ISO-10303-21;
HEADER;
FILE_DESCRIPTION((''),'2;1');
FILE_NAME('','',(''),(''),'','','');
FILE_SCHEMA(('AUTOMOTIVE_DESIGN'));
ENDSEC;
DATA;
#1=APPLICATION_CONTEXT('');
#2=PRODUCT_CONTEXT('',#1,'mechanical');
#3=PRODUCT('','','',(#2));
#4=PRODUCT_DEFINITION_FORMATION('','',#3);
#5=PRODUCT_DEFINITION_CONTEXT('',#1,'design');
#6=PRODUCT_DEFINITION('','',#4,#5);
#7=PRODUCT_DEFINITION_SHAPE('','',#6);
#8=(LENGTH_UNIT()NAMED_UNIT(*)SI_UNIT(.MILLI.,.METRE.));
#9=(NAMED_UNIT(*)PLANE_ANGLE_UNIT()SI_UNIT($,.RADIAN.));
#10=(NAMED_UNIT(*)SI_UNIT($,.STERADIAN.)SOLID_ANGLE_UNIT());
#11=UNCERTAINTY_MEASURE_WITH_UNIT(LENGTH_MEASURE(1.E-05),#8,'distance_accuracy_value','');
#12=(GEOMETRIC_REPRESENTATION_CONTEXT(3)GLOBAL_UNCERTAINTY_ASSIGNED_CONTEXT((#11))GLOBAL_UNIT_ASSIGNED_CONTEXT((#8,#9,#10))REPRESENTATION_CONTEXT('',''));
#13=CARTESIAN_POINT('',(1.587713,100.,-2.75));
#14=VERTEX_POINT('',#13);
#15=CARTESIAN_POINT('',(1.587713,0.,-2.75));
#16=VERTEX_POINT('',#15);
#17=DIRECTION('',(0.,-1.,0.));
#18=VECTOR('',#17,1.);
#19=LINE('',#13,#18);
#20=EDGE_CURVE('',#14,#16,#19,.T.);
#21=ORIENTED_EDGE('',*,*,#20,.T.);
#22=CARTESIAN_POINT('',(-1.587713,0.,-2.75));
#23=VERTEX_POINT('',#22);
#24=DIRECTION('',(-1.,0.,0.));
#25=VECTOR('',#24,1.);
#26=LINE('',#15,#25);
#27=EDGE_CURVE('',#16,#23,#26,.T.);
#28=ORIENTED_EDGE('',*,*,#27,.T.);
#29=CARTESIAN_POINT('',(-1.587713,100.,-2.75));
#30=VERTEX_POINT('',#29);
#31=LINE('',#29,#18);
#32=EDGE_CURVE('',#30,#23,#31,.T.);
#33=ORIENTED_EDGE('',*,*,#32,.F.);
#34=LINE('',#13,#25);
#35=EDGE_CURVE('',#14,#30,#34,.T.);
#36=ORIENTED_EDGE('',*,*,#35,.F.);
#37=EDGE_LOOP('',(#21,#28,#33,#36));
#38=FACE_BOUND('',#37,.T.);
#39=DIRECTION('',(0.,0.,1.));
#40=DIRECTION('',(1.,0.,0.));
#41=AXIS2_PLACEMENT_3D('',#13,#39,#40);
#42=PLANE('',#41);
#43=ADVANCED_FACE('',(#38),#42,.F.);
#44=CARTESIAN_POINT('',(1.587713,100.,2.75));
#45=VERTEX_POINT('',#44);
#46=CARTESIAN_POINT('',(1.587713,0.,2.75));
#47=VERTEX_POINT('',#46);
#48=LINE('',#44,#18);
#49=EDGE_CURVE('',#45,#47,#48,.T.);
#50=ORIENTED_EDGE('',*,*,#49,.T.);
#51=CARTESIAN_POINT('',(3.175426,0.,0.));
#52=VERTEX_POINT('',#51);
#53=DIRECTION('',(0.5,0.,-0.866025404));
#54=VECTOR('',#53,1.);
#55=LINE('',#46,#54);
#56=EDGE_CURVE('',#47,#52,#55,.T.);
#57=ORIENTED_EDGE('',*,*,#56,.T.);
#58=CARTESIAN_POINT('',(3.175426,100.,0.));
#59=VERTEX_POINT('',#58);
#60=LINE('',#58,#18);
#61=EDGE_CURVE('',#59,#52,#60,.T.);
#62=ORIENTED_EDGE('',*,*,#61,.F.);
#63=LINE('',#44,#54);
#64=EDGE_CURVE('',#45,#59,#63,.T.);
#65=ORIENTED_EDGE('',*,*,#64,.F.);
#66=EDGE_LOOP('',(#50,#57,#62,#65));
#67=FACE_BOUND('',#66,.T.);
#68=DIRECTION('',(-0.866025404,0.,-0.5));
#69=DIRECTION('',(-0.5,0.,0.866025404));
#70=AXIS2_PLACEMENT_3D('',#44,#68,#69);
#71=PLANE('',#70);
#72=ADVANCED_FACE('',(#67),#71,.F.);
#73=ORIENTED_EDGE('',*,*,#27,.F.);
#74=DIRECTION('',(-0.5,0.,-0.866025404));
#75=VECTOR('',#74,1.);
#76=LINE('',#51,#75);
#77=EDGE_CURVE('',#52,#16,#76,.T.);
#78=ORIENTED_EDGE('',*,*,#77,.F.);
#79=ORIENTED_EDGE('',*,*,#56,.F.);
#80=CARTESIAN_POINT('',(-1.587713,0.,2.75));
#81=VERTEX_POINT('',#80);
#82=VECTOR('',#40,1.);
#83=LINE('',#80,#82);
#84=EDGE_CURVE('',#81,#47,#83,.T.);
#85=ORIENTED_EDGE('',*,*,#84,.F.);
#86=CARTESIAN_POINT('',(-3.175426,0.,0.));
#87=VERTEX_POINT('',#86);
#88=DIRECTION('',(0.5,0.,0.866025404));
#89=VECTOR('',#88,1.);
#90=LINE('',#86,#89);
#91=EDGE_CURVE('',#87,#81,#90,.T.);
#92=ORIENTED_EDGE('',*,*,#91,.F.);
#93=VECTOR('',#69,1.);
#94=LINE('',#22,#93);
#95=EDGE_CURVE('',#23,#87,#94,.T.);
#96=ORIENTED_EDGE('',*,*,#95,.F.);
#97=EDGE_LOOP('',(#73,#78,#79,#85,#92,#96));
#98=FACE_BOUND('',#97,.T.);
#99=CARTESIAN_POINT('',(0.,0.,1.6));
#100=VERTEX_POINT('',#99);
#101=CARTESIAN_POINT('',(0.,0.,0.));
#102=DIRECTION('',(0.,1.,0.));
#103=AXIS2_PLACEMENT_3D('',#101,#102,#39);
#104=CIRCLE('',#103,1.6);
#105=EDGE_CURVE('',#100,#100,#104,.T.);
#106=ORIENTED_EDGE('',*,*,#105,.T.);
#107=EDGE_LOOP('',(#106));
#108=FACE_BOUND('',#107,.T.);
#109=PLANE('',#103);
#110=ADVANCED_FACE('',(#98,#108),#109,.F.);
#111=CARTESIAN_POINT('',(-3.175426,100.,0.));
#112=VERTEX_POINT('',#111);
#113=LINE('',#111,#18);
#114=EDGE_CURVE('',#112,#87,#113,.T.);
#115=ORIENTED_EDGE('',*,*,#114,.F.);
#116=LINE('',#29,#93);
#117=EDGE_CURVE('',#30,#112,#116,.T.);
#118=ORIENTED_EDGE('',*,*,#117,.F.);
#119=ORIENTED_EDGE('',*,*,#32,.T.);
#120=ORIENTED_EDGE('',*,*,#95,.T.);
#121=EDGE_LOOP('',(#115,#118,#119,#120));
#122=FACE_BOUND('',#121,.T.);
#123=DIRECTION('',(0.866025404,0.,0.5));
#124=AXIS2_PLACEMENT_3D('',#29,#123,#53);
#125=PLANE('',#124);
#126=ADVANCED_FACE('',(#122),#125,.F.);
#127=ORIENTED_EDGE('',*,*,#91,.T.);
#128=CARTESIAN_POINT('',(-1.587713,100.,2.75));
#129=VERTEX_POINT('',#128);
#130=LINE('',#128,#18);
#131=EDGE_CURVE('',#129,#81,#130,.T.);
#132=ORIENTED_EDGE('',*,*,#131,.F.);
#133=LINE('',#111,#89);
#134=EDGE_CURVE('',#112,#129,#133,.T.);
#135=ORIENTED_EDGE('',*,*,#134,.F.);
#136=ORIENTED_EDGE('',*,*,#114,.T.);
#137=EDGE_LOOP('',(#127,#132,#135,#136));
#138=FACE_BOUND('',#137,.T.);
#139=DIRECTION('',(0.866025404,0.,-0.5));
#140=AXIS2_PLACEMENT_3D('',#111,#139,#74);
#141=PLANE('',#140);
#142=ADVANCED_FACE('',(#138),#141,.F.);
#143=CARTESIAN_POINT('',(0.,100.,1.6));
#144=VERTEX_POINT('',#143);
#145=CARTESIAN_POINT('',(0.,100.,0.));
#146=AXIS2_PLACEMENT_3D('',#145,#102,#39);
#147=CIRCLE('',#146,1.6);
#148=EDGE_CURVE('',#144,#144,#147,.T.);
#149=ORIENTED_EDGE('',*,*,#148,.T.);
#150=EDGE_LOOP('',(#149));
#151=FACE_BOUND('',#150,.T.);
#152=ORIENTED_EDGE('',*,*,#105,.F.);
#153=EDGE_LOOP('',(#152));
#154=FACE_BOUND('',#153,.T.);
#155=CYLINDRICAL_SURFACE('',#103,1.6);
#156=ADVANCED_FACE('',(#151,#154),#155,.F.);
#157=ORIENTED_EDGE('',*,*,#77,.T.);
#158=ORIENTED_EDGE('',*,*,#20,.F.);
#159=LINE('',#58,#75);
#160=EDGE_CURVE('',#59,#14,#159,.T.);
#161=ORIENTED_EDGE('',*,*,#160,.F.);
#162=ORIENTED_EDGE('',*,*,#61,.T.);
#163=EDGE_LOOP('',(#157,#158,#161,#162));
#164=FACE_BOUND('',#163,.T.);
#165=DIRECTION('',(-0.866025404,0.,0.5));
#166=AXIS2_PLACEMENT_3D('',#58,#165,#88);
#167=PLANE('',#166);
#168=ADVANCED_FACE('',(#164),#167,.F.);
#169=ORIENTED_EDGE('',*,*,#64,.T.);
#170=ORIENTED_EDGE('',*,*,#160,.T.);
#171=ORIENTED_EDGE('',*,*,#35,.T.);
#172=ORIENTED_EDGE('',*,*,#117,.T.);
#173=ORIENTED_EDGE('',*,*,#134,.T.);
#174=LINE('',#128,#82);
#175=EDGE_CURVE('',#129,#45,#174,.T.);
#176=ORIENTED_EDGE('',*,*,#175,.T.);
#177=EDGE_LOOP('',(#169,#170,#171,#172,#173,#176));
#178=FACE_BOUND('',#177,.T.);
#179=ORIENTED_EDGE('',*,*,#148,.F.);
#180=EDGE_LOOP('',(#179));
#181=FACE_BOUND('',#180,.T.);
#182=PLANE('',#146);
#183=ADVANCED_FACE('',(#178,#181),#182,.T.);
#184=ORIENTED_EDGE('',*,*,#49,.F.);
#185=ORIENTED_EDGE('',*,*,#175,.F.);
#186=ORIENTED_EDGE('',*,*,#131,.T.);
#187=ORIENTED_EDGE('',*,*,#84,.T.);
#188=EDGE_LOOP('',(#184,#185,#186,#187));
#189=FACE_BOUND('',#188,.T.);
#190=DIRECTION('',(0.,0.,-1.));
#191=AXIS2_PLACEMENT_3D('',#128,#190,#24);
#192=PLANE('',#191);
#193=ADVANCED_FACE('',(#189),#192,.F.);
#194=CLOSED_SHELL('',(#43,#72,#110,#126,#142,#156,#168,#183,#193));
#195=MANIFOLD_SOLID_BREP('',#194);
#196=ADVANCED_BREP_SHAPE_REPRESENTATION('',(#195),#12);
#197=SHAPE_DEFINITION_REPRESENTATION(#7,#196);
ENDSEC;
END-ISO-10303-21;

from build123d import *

# Parameters (mm, degrees)
EXTRUDE_1_DEPTH     = 100
SKETCH_2_R          = 1.6
CUT_EXTRUDE_1_DEPTH = 101


with BuildPart() as part:
    # 草图1 → 凸台-拉伸1 (new body)
    with BuildSketch(Plane(origin=(0, 0, 0), x_dir=(1, 0, 0), z_dir=(0, 1, 0))):
        Polygon((3.175426481, 0), (1.58771324, 2.75), (-1.58771324, 2.75), (-3.175426481, 0), (-1.58771324, -2.75), (1.58771324, -2.75), align=None)
    extrude(amount=EXTRUDE_1_DEPTH)

    # 草图2 → 切除-拉伸1 (cut, through all)
    with BuildSketch(Plane(origin=(0, 100, 0), x_dir=(1, 0, 0), z_dir=(0, 1, 0))):
        Circle(SKETCH_2_R)
    extrude(amount=-CUT_EXTRUDE_1_DEPTH, mode=Mode.SUBTRACT)


solid = part.part
